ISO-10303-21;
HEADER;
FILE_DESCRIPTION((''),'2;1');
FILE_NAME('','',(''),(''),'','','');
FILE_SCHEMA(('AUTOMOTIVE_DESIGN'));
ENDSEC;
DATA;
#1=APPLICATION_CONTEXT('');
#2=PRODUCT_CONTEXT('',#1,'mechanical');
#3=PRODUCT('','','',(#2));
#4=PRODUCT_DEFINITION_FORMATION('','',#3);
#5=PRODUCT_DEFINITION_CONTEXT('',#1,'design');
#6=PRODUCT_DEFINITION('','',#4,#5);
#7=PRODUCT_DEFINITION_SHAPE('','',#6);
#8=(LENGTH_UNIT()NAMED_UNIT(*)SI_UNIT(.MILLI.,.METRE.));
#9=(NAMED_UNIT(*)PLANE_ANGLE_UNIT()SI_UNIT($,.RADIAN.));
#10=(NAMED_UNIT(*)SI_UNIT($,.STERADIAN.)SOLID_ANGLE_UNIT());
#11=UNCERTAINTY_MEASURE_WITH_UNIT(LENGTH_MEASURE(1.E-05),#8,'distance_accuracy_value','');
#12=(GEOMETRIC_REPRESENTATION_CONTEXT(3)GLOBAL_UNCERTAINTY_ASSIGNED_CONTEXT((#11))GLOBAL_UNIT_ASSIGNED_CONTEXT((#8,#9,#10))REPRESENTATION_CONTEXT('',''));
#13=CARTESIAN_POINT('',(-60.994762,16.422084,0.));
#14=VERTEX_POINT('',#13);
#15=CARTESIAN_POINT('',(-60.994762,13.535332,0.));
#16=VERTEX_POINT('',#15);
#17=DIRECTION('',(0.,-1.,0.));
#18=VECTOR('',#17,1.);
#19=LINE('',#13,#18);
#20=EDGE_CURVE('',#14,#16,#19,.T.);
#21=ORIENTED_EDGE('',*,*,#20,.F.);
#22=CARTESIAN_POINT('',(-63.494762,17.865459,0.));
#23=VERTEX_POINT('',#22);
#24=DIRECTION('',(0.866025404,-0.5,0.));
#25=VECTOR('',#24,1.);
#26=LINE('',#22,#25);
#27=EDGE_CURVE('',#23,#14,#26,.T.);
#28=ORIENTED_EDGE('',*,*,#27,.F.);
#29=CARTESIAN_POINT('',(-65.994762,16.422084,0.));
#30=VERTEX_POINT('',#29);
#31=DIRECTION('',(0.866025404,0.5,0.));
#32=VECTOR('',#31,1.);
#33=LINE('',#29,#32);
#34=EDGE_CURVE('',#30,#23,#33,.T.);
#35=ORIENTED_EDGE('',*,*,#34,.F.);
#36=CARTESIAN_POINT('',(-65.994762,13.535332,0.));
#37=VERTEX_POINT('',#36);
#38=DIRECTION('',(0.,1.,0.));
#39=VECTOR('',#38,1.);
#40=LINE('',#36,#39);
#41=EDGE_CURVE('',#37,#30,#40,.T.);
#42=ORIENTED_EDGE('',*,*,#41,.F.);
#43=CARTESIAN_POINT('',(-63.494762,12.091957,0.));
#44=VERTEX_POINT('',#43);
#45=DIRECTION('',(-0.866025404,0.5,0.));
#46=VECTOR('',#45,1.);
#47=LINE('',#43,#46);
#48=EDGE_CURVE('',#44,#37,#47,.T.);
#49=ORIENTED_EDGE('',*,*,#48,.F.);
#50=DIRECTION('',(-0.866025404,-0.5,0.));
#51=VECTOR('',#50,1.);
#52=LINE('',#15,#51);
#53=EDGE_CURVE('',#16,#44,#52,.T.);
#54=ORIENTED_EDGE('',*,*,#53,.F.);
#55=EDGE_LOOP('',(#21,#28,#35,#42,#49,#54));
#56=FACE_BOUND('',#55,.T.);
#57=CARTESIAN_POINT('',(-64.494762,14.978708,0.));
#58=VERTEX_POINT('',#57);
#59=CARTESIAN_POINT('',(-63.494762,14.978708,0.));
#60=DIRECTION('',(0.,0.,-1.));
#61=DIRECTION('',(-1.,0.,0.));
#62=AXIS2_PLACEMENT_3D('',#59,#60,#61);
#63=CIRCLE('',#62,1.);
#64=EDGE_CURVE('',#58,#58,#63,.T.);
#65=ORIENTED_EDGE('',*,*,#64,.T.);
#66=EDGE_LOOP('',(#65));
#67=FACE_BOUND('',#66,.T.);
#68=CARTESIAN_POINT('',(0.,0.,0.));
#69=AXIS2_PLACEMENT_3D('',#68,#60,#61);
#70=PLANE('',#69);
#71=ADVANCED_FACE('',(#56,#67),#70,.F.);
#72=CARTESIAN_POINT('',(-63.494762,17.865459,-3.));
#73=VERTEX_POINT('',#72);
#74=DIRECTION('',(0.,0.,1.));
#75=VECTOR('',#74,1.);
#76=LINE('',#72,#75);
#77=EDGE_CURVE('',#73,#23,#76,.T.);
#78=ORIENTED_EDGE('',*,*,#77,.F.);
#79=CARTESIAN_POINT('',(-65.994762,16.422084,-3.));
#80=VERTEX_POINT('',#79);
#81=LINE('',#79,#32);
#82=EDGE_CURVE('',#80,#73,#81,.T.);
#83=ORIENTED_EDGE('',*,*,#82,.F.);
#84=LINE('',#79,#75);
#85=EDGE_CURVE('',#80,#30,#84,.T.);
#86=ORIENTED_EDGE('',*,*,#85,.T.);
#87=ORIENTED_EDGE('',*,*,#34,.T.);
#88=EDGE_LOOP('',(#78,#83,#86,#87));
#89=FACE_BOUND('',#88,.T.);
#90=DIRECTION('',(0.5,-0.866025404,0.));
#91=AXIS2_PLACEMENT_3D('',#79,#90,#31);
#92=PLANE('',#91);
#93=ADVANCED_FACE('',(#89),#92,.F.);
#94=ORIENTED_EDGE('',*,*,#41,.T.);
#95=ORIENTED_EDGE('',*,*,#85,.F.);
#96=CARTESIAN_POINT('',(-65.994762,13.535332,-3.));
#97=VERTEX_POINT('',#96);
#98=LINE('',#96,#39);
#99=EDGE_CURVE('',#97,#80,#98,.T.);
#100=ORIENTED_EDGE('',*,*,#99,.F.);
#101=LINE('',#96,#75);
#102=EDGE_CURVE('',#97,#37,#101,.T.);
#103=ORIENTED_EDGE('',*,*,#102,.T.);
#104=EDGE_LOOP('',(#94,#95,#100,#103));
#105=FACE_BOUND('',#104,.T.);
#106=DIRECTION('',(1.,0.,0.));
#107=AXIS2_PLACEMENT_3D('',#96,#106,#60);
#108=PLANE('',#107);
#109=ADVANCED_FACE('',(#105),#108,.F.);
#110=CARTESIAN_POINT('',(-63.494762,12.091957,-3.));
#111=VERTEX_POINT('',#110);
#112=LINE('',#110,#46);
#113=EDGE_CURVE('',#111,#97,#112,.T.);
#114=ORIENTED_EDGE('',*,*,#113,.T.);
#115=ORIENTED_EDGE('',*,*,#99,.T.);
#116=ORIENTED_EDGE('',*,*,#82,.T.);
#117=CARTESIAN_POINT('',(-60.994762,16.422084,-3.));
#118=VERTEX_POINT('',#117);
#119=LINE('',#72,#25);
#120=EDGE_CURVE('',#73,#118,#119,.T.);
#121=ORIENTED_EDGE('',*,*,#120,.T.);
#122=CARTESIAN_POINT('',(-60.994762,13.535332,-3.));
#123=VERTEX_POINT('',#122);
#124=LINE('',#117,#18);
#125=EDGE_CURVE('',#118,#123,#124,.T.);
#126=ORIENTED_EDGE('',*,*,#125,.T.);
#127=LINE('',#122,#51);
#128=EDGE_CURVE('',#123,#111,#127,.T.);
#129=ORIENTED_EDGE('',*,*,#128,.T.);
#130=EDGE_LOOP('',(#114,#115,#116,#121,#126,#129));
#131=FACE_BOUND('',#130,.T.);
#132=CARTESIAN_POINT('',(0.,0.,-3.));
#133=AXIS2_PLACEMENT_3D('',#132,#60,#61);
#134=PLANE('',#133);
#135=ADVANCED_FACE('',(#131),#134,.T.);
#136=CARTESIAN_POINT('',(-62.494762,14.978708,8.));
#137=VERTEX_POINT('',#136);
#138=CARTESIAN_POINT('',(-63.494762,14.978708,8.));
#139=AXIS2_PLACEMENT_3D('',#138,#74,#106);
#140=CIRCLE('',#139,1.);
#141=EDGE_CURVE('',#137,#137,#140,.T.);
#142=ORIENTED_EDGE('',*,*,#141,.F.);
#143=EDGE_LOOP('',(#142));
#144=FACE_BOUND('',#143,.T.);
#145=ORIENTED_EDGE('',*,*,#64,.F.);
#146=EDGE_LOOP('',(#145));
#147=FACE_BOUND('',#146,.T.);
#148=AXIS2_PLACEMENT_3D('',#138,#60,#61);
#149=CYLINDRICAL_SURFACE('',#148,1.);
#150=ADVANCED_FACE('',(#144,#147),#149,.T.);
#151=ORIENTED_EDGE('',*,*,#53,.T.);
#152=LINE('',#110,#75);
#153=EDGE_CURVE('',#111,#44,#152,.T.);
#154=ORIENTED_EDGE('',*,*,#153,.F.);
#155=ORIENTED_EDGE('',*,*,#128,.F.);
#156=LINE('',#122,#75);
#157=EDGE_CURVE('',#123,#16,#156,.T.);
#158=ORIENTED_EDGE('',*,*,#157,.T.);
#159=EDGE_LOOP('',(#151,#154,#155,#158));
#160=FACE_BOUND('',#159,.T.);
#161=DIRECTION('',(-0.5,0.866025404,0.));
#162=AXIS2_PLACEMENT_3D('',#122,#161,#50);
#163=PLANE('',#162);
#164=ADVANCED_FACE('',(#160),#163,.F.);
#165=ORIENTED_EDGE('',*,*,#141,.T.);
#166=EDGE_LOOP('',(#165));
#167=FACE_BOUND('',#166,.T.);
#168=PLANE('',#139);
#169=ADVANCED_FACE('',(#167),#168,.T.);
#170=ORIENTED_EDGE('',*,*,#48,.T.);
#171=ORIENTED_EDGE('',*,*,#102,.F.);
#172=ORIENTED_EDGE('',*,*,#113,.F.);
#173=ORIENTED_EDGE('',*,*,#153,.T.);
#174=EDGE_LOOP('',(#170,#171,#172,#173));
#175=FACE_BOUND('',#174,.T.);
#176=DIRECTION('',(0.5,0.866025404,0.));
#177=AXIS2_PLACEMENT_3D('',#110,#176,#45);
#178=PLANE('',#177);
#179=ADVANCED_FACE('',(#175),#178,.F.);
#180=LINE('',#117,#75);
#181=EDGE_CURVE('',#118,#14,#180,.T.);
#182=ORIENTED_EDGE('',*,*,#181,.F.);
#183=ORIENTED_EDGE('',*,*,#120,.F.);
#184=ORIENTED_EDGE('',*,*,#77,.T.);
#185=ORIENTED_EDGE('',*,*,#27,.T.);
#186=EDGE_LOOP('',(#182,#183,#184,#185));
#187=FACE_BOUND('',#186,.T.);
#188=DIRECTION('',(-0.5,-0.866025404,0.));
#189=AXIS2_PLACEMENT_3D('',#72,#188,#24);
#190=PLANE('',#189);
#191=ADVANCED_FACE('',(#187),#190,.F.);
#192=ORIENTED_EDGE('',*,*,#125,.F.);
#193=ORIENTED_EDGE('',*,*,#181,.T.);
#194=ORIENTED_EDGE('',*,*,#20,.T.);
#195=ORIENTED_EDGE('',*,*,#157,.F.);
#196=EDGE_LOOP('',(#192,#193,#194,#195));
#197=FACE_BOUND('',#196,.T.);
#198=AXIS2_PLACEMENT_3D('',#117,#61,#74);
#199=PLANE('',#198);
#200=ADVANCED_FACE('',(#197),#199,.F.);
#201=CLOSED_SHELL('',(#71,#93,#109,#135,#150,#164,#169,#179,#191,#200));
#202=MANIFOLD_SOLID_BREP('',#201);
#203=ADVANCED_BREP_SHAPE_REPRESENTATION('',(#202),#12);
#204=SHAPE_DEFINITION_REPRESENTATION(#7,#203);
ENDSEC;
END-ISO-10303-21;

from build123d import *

# Parameters (mm, degrees)
SKETCH1_R           = 1
BOSS_EXTRUDE1_DEPTH = 8
BOSS_EXTRUDE2_DEPTH = 3


with BuildPart() as part:
    # Sketch1 → Boss-Extrude1 (new body)
    with BuildSketch(Plane.XY):
        with Locations((-63.49476159, 14.978708134)):
            Circle(SKETCH1_R)
    extrude(amount=BOSS_EXTRUDE1_DEPTH)

    # Sketch2 → Boss-Extrude2 (add)
    with BuildSketch(Plane(origin=(0, 0, 0), x_dir=(-1, 0, 0), z_dir=(0, 0, -1))):
        Polygon((63.49476159, 12.091956788), (65.99476159, 13.535332461), (65.99476159, 16.422083807), (63.49476159, 17.86545948), (60.99476159, 16.422083807), (60.99476159, 13.535332461), align=None)
    extrude(amount=BOSS_EXTRUDE2_DEPTH)


solid = part.part
